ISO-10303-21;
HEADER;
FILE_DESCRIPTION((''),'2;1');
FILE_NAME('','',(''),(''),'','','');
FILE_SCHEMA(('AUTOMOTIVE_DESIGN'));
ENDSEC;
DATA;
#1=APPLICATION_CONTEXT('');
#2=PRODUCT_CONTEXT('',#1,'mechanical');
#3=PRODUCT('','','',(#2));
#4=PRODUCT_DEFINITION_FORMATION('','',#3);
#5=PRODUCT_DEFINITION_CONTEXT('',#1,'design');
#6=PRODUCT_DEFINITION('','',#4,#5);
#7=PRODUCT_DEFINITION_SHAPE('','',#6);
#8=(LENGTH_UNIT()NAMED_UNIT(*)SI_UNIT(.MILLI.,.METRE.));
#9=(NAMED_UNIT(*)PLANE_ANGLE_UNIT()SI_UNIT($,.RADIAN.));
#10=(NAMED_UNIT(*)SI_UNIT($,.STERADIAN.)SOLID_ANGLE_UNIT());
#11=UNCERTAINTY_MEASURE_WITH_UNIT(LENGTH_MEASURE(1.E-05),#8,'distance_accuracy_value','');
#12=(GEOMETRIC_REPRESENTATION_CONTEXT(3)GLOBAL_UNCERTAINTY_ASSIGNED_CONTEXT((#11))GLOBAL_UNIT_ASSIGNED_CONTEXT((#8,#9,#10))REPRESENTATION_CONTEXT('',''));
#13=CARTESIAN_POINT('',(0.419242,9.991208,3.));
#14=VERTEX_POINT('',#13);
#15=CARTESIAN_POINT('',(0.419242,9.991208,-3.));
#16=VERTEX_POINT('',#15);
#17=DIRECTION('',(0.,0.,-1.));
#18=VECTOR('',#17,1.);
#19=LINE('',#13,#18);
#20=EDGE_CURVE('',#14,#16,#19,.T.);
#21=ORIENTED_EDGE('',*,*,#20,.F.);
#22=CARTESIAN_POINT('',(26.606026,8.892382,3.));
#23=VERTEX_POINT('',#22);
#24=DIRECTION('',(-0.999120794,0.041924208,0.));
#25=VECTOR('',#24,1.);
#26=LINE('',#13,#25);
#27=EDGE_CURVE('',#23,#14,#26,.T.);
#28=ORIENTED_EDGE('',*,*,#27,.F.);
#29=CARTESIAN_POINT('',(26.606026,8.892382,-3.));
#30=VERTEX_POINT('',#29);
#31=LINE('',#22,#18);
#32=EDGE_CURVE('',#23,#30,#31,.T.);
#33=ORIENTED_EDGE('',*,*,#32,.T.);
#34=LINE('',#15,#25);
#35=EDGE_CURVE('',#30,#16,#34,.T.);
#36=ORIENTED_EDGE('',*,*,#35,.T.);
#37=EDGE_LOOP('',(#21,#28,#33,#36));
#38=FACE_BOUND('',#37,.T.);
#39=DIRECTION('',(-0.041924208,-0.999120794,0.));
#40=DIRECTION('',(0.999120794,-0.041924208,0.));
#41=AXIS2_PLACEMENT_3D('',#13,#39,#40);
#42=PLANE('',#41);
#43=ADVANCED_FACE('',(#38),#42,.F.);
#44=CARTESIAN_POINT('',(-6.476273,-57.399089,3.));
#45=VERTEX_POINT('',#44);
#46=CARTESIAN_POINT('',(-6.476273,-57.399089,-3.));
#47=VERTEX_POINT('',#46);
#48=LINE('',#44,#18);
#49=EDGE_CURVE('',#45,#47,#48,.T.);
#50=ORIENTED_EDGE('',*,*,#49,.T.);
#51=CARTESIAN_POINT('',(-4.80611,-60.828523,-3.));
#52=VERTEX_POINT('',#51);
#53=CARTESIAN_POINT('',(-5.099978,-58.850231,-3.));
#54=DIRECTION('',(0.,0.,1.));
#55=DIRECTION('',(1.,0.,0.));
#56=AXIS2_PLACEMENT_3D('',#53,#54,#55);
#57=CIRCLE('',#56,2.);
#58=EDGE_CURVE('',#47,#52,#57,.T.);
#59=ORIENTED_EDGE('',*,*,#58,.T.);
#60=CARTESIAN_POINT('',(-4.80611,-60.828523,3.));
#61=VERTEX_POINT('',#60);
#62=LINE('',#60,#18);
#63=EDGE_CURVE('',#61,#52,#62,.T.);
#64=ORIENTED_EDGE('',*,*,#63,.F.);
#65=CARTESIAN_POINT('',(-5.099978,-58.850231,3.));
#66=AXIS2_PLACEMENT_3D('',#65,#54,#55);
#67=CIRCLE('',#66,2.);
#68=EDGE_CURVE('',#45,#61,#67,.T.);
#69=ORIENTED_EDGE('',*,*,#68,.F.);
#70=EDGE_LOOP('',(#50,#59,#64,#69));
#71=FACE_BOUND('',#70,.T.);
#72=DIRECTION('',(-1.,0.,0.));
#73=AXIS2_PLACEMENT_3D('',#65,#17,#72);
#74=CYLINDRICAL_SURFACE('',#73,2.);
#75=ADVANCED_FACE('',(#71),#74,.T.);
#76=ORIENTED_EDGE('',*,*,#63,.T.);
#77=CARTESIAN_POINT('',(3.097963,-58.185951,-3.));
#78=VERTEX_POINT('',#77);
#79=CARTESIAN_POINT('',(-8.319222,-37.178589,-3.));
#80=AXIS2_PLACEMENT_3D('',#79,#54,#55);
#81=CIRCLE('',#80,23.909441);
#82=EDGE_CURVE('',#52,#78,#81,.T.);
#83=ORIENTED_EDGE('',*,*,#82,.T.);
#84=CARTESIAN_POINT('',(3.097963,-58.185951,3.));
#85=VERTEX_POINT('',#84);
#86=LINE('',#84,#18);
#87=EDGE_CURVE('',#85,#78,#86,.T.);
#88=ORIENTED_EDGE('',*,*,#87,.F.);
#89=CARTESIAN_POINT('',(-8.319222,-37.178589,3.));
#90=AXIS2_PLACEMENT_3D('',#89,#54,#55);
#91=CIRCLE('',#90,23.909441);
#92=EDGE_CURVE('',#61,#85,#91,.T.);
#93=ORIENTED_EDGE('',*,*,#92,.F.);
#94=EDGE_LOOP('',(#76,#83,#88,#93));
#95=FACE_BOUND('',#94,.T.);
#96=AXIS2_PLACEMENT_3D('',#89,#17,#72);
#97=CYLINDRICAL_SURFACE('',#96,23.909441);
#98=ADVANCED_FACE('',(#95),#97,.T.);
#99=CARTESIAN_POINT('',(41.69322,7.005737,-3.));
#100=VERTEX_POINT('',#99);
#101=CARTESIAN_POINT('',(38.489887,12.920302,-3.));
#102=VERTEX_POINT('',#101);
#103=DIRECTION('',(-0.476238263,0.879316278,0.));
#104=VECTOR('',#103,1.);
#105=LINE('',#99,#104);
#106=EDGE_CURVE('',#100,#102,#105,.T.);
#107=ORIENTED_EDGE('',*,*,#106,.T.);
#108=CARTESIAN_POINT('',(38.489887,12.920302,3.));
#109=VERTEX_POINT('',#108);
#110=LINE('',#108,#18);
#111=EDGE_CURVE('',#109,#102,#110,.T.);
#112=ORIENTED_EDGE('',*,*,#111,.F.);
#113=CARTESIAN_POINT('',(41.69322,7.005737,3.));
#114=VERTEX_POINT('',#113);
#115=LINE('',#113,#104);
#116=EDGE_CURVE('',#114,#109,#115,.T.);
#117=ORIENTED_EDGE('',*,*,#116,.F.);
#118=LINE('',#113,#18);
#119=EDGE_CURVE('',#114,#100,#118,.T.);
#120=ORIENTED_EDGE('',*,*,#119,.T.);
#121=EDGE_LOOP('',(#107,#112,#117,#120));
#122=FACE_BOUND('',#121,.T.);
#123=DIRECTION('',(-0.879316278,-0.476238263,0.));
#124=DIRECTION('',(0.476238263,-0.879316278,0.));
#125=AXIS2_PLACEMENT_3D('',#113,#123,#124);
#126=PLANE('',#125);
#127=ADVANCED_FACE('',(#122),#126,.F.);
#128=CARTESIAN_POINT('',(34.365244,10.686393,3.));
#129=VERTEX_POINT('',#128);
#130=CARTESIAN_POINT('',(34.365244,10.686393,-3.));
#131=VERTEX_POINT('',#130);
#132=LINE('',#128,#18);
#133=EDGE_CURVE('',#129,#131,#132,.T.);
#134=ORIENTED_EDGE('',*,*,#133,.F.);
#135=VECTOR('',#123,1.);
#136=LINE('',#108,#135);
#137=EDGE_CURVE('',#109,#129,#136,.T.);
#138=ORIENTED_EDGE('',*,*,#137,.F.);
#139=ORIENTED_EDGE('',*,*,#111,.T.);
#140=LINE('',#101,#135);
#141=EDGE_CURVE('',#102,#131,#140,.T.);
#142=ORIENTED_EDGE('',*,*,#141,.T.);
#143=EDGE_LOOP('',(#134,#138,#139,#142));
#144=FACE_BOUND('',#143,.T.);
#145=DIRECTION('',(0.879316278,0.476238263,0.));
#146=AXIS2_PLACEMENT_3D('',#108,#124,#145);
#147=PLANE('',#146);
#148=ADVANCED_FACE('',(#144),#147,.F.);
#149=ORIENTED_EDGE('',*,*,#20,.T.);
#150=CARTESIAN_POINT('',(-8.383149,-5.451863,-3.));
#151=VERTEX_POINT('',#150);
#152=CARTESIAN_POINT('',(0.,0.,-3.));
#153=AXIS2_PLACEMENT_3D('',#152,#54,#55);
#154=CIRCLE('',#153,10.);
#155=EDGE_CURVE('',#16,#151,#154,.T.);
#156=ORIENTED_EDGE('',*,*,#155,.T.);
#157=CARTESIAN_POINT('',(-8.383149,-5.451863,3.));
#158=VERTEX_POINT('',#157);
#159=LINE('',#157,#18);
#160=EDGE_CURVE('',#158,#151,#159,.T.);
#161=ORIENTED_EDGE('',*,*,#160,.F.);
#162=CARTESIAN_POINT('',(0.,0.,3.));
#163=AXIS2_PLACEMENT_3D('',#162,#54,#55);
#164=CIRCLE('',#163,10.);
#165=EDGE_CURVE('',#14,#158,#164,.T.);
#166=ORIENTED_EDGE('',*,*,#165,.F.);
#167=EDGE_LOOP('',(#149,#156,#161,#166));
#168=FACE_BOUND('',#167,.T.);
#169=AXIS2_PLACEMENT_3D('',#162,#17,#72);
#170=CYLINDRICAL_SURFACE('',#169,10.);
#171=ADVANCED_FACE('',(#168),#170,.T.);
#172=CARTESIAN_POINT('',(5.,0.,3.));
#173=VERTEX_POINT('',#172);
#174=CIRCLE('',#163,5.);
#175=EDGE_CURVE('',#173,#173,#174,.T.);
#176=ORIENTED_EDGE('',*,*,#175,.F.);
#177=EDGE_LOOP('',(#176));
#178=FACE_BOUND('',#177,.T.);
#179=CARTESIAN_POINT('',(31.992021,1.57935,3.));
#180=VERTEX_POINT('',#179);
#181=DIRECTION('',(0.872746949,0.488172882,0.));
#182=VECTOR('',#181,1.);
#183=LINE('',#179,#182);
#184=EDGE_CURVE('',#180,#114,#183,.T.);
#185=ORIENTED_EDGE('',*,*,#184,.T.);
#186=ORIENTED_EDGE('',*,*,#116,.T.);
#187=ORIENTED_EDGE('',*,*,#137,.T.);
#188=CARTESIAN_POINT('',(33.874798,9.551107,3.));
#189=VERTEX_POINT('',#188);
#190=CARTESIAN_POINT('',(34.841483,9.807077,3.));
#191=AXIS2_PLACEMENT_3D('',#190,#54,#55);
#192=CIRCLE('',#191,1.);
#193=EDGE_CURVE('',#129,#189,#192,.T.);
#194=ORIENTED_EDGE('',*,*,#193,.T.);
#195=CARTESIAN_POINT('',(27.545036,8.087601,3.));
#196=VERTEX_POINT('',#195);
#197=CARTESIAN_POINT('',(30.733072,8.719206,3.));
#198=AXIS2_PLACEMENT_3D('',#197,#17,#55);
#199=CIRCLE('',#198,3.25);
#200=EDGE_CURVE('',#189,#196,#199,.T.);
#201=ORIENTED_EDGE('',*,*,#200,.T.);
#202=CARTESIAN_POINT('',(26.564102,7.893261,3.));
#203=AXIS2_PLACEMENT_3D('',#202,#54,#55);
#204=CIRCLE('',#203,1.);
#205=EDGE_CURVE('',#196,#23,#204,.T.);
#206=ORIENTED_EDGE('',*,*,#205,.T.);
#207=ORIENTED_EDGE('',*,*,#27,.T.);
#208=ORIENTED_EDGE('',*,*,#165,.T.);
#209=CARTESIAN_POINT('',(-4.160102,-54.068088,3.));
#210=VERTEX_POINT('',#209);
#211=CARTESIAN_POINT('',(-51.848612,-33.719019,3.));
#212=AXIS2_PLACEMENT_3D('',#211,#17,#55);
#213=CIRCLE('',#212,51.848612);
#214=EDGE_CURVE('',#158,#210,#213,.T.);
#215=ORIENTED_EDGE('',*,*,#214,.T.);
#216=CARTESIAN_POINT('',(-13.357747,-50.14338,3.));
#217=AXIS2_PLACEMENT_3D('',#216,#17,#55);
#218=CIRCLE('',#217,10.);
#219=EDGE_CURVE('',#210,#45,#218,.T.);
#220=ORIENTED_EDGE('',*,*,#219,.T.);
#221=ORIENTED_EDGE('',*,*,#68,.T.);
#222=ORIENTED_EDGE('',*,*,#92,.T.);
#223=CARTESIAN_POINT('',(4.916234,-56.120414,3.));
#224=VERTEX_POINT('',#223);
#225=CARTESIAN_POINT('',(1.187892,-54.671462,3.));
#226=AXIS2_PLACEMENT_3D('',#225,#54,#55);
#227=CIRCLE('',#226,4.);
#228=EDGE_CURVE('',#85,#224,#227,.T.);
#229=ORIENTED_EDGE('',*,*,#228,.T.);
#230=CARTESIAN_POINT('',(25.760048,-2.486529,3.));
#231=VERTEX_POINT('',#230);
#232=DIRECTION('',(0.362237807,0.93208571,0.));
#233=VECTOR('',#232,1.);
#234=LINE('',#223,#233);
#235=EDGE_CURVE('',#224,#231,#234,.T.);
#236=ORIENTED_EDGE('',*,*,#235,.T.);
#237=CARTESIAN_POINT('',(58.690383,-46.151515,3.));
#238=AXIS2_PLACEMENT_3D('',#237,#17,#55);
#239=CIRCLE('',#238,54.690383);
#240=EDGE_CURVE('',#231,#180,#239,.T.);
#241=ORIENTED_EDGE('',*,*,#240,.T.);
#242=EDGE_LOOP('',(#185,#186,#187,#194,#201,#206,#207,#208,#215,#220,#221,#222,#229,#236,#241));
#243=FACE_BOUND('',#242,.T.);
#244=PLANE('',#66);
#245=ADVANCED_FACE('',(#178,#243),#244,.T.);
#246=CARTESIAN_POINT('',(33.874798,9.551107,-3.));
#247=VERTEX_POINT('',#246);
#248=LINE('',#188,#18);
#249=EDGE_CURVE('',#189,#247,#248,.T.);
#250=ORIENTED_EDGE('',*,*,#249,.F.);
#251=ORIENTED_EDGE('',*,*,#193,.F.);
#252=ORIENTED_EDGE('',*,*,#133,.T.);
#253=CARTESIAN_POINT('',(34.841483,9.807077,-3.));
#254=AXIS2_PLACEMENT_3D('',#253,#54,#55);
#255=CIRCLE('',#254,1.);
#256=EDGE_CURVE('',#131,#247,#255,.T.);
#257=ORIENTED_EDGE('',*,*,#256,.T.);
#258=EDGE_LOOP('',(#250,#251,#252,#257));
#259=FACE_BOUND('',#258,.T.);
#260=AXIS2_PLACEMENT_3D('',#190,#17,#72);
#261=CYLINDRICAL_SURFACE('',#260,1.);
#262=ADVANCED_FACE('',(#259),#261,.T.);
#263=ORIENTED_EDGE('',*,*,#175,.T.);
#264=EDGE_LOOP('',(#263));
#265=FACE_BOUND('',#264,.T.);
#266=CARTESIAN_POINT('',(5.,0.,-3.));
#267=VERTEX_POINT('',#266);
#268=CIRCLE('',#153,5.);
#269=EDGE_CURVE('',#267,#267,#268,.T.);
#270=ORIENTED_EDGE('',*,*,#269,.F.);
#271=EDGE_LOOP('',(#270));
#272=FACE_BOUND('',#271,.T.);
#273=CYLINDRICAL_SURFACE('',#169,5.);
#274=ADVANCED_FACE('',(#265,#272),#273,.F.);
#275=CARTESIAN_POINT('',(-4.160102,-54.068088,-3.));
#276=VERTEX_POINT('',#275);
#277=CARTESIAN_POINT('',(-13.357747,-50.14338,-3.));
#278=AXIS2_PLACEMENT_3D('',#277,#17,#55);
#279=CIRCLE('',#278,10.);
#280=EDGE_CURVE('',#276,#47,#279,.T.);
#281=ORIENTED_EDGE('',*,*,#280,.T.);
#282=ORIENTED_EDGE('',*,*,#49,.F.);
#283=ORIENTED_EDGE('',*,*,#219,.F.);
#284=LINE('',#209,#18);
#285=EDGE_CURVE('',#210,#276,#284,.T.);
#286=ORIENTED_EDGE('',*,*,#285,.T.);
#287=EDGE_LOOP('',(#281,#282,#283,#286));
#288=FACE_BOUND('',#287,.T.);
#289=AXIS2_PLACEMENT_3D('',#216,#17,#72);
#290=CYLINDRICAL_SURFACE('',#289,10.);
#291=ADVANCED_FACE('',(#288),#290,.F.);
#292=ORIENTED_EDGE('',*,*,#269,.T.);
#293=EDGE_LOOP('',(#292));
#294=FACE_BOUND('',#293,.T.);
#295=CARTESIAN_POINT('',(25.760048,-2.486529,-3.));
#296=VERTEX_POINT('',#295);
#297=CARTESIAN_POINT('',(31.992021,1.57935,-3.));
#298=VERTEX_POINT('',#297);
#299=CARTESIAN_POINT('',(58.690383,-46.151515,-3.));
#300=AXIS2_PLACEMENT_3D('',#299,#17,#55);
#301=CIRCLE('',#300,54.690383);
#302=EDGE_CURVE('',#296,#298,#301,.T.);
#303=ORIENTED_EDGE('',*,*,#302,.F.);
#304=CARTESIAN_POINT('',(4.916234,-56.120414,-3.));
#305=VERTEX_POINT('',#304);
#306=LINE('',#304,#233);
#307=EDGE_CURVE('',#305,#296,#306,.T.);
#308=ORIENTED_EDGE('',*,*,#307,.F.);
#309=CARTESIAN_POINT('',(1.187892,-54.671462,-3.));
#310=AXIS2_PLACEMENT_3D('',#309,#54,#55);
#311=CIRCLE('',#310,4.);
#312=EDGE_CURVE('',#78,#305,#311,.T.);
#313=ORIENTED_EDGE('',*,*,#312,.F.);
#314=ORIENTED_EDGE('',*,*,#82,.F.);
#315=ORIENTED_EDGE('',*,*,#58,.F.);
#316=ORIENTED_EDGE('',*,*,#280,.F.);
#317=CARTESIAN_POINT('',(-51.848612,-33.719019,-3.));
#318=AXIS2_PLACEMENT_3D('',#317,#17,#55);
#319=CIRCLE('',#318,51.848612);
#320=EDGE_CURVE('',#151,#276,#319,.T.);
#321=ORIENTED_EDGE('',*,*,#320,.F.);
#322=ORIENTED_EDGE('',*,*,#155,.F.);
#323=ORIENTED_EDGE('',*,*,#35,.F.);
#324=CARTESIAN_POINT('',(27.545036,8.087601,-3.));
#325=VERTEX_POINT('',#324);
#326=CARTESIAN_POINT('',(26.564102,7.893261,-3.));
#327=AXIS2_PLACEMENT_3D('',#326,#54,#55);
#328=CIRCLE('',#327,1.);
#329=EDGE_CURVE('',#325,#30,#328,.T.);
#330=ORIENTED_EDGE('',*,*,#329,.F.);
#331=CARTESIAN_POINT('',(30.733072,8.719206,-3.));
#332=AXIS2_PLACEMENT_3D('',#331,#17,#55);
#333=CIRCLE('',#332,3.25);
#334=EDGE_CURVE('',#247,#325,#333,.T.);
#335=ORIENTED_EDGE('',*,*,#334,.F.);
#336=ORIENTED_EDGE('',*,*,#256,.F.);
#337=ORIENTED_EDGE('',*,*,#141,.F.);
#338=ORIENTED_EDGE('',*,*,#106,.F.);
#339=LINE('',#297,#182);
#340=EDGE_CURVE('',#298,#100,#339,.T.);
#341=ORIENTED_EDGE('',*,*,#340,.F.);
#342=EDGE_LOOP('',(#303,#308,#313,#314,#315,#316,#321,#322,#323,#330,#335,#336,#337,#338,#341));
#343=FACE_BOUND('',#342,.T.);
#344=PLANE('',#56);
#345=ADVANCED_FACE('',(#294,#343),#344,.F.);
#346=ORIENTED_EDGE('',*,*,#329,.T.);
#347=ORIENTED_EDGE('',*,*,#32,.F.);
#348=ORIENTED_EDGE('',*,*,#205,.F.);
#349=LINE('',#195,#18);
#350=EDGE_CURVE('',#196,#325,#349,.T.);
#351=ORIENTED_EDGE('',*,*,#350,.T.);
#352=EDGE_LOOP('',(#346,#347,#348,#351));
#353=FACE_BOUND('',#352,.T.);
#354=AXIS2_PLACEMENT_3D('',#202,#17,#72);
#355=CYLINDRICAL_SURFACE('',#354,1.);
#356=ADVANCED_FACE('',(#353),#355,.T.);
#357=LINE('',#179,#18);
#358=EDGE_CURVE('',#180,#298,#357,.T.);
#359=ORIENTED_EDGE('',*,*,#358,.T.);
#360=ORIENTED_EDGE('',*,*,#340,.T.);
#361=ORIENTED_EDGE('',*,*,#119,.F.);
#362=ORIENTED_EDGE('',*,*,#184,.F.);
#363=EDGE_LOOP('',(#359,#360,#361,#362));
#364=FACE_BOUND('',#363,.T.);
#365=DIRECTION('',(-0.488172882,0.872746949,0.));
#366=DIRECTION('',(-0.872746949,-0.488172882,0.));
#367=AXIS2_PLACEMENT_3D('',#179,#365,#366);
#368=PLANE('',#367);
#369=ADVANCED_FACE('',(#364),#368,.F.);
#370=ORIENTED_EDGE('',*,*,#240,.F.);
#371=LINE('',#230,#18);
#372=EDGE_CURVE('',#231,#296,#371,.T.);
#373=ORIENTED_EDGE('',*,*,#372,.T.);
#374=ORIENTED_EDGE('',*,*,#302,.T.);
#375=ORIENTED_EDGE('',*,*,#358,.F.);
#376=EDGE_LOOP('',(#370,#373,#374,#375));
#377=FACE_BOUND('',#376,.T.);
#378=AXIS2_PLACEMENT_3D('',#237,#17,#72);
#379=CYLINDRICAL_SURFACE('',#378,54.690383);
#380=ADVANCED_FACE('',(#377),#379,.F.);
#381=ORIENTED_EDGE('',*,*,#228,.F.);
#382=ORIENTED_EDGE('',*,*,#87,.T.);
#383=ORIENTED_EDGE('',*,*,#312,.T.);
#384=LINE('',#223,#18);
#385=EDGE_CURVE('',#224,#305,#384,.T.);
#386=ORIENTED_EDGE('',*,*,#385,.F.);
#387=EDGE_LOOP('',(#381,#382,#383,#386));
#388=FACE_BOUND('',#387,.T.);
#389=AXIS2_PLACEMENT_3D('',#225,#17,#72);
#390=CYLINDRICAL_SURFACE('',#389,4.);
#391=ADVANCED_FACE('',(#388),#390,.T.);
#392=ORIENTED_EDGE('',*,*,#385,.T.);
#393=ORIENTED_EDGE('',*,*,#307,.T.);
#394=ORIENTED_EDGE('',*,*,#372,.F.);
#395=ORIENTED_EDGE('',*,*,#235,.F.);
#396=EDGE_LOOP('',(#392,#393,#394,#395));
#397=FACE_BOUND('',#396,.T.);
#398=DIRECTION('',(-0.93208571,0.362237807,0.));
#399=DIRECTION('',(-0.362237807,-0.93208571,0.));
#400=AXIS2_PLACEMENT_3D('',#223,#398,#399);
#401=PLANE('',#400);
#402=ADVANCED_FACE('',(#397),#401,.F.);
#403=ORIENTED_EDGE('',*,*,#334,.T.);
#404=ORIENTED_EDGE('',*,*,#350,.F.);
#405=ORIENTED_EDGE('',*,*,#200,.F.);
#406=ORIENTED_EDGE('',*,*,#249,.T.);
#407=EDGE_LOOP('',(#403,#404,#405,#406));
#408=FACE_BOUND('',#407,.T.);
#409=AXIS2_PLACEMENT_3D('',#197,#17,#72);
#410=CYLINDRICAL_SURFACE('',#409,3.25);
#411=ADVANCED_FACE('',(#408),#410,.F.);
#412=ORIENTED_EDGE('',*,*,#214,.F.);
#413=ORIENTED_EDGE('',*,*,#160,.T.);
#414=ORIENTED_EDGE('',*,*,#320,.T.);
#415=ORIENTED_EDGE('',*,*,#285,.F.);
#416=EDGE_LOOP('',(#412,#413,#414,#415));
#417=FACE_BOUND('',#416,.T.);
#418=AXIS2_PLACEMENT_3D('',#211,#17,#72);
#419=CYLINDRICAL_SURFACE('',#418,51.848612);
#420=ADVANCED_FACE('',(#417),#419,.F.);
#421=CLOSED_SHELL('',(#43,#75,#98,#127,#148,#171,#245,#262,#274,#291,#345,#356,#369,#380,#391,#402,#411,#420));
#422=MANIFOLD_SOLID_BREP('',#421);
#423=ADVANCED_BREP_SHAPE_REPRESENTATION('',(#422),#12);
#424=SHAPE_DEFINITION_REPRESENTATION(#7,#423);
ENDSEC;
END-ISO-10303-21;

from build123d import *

# Parameters (mm, degrees)
SKETCH_1_R      = 5
EXTRUDE_1_DEPTH = 3


with BuildPart() as part:
    # Эскиз1 → Бобышка-Вытянуть1 (new body, symmetric)
    with BuildSketch(Plane.XY):
        with BuildLine():
            Line((4.916234413, -56.120413603), (25.760048074, -2.486528587))
            ThreePointArc((25.760048074, -2.486528587), (28.806805421, -0.347478176), (31.992021255, 1.579350067))
            Line((31.992021255, 1.579350067), (41.693220111, 7.005736507))
            Line((41.693220111, 7.005736507), (38.489887361, 12.920302494))
            Line((38.489887361, 12.920302494), (34.365244293, 10.68639315))
            ThreePointArc((34.365244293, 10.68639315), (33.923481874, 10.203655675), (33.874797711, 9.55110732))
            ThreePointArc((33.874797711, 9.55110732), (31.465191403, 5.552741192), (27.545035778, 8.087600975))
            ThreePointArc((27.545035778, 8.087600975), (27.214853309, 8.652551452), (26.606025774, 8.892381677))
            Line((26.606025774, 8.892381677), (0.41924208, 9.991207939))
            ThreePointArc((0.41924208, 9.991207939), (-8.687811377, 4.951962588), (-8.383148839, -5.451863492))
            ThreePointArc((-8.383148839, -5.451863492), (-0.194512316, -29.232087684), (-4.16010245, -54.068088281))
            ThreePointArc((-4.16010245, -54.068088281), (-5.14748476, -55.852284698), (-6.476272813, -57.39908882))
            ThreePointArc((-6.476272813, -57.39908882), (-6.89807893, -59.725920701), (-4.806109838, -60.82852322))
            ThreePointArc((-4.806109838, -60.82852322), (-0.738045269, -59.854283225), (3.097962953, -58.185950579))
            ThreePointArc((3.097962953, -58.185950579), (4.190313841, -57.314464556), (4.916234413, -56.120413603))
        make_face()
        Circle(SKETCH_1_R, mode=Mode.SUBTRACT)
    extrude(amount=EXTRUDE_1_DEPTH, both=True)


solid = part.part
